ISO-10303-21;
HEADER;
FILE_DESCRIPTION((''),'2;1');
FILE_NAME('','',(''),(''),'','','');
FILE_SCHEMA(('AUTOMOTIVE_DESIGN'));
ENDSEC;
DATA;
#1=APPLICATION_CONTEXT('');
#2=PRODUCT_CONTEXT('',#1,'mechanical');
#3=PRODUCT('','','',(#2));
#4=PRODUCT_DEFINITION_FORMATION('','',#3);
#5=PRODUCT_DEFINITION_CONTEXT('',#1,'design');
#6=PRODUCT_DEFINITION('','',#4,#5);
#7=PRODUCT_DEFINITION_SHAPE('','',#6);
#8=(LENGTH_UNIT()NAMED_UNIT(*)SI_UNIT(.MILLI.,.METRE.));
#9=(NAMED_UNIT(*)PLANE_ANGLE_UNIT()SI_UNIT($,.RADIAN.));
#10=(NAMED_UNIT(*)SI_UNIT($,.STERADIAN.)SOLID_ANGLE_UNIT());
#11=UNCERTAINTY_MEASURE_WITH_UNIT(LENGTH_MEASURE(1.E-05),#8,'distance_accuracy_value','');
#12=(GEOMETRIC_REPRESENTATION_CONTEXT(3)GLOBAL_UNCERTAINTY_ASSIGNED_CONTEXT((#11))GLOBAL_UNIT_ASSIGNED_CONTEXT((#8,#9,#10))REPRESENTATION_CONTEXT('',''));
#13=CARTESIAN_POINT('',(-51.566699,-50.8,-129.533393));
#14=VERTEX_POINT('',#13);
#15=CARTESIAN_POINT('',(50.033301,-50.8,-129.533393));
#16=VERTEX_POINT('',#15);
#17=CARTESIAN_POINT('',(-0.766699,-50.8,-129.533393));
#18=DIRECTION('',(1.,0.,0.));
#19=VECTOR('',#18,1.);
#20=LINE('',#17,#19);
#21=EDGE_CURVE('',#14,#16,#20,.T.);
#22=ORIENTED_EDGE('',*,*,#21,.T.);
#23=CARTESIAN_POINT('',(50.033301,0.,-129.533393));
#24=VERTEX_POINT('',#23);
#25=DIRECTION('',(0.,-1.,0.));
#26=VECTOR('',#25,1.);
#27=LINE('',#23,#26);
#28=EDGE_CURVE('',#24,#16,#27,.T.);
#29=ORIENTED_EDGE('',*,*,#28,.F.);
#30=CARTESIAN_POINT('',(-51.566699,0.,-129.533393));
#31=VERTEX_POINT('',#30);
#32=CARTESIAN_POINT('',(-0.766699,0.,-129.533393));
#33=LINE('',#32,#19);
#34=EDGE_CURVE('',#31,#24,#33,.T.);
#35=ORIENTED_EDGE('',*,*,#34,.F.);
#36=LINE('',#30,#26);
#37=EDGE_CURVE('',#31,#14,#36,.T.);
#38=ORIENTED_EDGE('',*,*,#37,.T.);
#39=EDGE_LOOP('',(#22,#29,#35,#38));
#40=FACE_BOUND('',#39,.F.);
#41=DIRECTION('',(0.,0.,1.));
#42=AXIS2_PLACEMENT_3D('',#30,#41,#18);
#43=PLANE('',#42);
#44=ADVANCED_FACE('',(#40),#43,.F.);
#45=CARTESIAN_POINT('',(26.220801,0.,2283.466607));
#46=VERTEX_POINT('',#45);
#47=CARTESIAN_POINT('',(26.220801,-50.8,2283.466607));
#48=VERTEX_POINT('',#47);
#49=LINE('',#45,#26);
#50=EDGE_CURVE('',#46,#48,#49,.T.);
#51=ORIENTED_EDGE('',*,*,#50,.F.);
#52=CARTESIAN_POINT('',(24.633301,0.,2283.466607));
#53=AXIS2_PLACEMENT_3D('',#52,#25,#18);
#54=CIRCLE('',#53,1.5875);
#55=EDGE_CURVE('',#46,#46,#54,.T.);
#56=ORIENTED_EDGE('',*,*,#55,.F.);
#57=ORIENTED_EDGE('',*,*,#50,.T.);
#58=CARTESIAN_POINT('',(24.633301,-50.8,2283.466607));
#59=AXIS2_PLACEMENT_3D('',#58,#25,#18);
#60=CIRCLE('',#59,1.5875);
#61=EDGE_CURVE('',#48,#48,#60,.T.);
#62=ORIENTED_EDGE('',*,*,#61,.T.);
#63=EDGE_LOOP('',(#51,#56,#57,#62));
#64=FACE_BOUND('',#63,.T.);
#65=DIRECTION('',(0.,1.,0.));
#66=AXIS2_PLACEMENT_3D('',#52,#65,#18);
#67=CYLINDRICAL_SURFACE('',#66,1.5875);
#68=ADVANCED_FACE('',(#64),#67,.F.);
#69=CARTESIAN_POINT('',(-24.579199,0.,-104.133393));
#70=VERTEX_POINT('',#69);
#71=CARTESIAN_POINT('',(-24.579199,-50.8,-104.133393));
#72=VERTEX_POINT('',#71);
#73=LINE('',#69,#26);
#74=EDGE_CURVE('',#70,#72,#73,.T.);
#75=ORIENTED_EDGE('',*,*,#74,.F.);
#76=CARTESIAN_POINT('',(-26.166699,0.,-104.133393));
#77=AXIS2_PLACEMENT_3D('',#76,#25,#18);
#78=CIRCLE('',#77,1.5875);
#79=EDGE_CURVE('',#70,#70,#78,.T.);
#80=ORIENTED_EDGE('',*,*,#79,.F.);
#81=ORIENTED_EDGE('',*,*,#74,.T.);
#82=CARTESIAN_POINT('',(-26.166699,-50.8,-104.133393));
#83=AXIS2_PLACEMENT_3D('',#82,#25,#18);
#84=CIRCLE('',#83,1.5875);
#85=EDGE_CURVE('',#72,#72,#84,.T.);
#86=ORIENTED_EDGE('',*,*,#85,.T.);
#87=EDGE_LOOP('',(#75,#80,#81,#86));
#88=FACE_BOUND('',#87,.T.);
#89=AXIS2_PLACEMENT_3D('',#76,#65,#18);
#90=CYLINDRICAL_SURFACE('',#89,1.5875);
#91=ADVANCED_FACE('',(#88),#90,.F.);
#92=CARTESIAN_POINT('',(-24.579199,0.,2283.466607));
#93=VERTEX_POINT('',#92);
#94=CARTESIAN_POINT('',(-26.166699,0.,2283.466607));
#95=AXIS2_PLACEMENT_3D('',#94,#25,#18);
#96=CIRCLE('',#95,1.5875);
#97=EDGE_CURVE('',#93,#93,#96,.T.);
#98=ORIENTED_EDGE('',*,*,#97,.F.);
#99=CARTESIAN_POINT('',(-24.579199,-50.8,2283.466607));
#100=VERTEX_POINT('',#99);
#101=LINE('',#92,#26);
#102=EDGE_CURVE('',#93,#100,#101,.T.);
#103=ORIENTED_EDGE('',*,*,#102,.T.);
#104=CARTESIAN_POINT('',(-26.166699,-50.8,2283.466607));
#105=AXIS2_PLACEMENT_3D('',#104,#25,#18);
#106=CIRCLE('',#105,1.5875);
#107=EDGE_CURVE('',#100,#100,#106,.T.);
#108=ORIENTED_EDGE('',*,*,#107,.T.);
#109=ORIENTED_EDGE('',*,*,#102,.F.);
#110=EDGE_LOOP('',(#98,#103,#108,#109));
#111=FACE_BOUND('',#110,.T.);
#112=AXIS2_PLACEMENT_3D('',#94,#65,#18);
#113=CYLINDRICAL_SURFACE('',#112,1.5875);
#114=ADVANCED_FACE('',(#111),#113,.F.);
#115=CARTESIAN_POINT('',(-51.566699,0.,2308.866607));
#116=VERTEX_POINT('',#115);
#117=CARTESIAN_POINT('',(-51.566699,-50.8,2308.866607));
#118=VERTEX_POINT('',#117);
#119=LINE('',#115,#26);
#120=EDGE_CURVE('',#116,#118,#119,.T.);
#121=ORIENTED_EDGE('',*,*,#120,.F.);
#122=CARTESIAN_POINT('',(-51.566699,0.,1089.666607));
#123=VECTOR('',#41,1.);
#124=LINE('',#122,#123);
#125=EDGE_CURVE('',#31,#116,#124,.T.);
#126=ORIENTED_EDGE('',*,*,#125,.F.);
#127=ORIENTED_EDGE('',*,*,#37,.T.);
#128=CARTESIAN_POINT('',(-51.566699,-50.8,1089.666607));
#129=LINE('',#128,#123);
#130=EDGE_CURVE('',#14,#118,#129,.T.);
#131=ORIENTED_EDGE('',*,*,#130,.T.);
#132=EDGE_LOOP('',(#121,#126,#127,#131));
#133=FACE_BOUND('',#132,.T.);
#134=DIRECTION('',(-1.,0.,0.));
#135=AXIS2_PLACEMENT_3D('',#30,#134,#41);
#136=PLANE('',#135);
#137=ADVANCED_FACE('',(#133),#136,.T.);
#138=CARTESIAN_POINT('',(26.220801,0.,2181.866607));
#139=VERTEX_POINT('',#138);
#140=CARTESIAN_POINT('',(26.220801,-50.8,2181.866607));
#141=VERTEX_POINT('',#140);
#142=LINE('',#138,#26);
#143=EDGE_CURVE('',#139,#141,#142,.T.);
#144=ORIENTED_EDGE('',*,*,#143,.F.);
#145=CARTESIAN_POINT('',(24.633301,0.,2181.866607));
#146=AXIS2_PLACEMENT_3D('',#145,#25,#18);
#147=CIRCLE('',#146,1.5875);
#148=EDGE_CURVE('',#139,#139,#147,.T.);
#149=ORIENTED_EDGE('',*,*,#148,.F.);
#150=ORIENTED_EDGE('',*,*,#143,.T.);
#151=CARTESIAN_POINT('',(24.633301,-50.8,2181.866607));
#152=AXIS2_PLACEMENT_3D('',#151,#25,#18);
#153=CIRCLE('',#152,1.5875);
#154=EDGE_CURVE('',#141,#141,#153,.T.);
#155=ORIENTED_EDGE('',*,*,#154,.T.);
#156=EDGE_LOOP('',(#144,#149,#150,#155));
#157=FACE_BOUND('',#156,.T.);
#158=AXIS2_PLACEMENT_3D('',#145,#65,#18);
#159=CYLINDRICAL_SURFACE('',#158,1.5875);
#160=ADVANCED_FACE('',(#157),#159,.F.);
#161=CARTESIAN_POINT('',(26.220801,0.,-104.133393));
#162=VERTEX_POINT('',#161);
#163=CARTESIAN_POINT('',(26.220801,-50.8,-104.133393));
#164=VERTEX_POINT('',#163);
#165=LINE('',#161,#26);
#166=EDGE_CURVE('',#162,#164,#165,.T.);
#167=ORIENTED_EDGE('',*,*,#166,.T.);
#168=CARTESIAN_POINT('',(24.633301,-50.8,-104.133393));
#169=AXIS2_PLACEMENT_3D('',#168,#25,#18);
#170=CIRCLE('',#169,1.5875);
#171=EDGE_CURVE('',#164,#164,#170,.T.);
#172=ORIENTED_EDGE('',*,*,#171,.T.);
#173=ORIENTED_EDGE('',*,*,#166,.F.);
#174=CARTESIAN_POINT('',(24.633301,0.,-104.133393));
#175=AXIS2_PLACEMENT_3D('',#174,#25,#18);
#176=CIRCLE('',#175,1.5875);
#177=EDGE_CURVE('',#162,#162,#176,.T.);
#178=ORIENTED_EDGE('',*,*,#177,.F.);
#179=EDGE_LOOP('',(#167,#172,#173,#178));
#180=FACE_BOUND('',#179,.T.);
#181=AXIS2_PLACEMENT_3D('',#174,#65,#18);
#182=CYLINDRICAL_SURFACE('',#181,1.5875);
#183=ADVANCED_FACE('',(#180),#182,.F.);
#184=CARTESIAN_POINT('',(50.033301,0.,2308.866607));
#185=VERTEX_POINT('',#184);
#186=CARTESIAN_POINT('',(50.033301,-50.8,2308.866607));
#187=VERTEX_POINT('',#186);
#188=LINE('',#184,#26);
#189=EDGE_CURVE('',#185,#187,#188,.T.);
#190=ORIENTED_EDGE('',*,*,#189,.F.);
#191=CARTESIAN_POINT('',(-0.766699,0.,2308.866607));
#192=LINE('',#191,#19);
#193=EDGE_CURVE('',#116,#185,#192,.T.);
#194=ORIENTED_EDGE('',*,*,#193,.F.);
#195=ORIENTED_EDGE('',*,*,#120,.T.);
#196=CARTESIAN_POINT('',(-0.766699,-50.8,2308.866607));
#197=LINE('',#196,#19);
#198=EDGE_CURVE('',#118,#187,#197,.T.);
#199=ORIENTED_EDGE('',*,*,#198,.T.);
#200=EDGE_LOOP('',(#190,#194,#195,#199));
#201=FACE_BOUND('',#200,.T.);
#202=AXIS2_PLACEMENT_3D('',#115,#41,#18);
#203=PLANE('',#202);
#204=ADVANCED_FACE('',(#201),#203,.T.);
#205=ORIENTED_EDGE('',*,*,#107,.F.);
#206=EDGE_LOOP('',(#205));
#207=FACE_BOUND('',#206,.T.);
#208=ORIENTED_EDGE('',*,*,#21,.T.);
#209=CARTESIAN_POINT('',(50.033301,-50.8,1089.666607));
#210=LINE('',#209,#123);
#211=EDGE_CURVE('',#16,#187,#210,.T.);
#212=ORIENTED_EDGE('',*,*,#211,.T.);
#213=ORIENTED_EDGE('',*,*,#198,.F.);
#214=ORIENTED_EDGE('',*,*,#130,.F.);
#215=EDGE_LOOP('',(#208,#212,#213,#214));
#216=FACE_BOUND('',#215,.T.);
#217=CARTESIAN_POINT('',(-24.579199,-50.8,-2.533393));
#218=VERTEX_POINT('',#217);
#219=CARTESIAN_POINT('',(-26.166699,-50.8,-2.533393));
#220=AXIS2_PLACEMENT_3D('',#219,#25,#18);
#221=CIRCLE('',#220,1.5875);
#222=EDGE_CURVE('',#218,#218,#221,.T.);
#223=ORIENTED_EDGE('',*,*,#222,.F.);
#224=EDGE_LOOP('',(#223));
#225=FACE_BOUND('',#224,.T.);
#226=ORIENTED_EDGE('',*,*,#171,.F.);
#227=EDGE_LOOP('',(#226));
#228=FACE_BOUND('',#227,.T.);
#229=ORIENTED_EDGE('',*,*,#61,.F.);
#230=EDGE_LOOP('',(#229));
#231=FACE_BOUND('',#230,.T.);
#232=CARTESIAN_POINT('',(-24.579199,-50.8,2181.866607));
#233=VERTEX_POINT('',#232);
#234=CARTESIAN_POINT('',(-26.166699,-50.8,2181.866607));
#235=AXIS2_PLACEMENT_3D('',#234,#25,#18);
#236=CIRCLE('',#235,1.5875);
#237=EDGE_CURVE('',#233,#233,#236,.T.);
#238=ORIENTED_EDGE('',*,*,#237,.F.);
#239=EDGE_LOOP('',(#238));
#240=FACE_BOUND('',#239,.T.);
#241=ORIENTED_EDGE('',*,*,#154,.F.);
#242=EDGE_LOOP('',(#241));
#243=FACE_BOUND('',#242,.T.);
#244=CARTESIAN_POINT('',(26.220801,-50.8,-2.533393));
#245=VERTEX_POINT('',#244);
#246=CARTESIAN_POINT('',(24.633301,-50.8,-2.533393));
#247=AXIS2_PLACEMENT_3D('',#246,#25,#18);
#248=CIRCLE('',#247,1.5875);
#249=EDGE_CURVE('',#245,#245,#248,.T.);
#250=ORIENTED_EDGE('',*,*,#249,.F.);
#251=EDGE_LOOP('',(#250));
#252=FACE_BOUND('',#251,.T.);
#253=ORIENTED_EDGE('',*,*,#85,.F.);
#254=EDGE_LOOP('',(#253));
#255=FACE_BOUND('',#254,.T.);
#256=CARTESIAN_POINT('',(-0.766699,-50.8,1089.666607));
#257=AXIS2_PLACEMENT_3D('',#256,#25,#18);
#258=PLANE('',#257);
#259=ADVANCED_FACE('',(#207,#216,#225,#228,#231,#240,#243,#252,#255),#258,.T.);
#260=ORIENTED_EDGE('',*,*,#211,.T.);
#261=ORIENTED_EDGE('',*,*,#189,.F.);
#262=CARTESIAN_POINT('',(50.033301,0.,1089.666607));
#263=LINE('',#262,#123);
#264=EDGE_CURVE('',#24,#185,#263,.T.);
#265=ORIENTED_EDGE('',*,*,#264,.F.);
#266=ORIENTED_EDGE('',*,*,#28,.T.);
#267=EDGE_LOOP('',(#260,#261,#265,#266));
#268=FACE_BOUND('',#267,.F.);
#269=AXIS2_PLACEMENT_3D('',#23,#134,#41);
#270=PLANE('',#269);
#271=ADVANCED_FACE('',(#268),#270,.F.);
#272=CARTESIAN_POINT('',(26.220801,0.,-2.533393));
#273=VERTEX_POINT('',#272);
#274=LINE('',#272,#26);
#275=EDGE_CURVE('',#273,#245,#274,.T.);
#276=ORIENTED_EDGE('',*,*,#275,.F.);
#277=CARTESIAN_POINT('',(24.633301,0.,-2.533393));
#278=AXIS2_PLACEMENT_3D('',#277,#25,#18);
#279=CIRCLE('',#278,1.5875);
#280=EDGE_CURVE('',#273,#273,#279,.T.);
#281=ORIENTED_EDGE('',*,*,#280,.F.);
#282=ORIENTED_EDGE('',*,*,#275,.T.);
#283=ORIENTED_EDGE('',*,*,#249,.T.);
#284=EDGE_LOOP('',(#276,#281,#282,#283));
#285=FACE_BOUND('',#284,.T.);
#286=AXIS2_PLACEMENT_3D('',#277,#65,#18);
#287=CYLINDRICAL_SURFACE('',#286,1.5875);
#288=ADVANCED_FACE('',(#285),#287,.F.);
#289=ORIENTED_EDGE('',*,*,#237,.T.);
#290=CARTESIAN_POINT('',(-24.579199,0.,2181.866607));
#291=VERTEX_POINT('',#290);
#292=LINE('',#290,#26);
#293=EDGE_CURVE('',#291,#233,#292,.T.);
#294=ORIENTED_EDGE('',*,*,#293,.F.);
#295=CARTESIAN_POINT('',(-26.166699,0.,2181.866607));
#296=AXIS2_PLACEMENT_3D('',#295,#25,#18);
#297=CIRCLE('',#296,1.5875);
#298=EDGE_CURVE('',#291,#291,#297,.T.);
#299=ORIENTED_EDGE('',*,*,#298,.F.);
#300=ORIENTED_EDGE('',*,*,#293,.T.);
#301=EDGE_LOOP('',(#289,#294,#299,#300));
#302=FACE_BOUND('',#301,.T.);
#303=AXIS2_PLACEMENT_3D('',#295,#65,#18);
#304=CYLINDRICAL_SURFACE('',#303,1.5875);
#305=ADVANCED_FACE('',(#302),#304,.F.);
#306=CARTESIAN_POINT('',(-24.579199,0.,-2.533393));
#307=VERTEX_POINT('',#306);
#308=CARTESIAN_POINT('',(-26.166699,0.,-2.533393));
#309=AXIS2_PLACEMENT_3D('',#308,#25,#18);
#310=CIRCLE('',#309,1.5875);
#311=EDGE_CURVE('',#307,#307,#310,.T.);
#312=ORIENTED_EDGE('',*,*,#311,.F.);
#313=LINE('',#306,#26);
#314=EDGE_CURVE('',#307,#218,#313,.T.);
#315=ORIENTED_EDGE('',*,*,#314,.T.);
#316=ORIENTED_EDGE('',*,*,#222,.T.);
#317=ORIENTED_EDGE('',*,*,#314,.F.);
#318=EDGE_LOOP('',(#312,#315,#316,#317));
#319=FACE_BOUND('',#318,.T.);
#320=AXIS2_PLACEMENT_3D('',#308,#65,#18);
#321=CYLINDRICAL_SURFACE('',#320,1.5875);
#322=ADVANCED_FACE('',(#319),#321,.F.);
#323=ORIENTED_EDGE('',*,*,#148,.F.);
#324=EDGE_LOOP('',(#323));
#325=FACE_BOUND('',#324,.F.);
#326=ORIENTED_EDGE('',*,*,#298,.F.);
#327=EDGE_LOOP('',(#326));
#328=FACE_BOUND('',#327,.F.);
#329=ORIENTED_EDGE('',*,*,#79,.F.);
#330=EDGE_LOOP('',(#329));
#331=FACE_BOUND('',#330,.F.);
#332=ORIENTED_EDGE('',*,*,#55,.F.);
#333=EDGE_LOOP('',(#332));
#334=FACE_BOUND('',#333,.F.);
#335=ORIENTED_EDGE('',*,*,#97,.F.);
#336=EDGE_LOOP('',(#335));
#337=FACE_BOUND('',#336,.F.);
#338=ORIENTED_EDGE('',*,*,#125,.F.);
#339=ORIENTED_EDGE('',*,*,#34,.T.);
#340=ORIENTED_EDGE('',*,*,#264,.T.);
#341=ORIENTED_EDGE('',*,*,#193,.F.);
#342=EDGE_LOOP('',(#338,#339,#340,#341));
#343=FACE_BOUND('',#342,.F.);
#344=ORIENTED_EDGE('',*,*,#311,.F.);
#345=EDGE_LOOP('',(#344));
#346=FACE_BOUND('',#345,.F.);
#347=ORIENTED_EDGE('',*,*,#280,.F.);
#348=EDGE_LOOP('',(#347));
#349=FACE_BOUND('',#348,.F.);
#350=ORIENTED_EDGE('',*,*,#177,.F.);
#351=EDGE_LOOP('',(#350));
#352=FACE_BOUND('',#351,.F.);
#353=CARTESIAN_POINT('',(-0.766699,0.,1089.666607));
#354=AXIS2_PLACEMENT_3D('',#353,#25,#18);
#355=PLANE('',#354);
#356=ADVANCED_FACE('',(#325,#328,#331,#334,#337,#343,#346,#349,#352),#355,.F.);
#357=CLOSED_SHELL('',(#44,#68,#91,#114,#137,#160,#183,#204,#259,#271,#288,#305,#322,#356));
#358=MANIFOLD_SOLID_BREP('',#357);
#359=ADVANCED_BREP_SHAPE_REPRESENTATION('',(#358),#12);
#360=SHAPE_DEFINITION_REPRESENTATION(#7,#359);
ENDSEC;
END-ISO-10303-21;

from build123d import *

# Parameters (mm, degrees)
F0_W     = 101.6
F0_H     = 2438.4
F0_R     = 1.5875
F1_DEPTH = 50.8


with BuildPart() as f1:
    # F0 (on Front) → F1 (new body)
    with BuildSketch(Plane.XZ):
        with Locations((-0.766699, 1089.666607)):
            Rectangle(F0_W, F0_H)
        with Locations((-26.166699, -104.133393)):
            Circle(F0_R, mode=Mode.SUBTRACT)
        with Locations((-26.166699, -2.533393)):
            Circle(F0_R, mode=Mode.SUBTRACT)
        with Locations((24.633301, -104.133393)):
            Circle(F0_R, mode=Mode.SUBTRACT)
        with Locations((24.633301, -2.533393)):
            Circle(F0_R, mode=Mode.SUBTRACT)
        with Locations((-26.166699, 2181.866607)):
            Circle(F0_R, mode=Mode.SUBTRACT)
        with Locations((-26.166699, 2283.466607)):
            Circle(F0_R, mode=Mode.SUBTRACT)
        with Locations((24.633301, 2181.866607)):
            Circle(F0_R, mode=Mode.SUBTRACT)
        with Locations((24.633301, 2283.466607)):
            Circle(F0_R, mode=Mode.SUBTRACT)
    extrude(amount=F1_DEPTH)


solid = f1.part
